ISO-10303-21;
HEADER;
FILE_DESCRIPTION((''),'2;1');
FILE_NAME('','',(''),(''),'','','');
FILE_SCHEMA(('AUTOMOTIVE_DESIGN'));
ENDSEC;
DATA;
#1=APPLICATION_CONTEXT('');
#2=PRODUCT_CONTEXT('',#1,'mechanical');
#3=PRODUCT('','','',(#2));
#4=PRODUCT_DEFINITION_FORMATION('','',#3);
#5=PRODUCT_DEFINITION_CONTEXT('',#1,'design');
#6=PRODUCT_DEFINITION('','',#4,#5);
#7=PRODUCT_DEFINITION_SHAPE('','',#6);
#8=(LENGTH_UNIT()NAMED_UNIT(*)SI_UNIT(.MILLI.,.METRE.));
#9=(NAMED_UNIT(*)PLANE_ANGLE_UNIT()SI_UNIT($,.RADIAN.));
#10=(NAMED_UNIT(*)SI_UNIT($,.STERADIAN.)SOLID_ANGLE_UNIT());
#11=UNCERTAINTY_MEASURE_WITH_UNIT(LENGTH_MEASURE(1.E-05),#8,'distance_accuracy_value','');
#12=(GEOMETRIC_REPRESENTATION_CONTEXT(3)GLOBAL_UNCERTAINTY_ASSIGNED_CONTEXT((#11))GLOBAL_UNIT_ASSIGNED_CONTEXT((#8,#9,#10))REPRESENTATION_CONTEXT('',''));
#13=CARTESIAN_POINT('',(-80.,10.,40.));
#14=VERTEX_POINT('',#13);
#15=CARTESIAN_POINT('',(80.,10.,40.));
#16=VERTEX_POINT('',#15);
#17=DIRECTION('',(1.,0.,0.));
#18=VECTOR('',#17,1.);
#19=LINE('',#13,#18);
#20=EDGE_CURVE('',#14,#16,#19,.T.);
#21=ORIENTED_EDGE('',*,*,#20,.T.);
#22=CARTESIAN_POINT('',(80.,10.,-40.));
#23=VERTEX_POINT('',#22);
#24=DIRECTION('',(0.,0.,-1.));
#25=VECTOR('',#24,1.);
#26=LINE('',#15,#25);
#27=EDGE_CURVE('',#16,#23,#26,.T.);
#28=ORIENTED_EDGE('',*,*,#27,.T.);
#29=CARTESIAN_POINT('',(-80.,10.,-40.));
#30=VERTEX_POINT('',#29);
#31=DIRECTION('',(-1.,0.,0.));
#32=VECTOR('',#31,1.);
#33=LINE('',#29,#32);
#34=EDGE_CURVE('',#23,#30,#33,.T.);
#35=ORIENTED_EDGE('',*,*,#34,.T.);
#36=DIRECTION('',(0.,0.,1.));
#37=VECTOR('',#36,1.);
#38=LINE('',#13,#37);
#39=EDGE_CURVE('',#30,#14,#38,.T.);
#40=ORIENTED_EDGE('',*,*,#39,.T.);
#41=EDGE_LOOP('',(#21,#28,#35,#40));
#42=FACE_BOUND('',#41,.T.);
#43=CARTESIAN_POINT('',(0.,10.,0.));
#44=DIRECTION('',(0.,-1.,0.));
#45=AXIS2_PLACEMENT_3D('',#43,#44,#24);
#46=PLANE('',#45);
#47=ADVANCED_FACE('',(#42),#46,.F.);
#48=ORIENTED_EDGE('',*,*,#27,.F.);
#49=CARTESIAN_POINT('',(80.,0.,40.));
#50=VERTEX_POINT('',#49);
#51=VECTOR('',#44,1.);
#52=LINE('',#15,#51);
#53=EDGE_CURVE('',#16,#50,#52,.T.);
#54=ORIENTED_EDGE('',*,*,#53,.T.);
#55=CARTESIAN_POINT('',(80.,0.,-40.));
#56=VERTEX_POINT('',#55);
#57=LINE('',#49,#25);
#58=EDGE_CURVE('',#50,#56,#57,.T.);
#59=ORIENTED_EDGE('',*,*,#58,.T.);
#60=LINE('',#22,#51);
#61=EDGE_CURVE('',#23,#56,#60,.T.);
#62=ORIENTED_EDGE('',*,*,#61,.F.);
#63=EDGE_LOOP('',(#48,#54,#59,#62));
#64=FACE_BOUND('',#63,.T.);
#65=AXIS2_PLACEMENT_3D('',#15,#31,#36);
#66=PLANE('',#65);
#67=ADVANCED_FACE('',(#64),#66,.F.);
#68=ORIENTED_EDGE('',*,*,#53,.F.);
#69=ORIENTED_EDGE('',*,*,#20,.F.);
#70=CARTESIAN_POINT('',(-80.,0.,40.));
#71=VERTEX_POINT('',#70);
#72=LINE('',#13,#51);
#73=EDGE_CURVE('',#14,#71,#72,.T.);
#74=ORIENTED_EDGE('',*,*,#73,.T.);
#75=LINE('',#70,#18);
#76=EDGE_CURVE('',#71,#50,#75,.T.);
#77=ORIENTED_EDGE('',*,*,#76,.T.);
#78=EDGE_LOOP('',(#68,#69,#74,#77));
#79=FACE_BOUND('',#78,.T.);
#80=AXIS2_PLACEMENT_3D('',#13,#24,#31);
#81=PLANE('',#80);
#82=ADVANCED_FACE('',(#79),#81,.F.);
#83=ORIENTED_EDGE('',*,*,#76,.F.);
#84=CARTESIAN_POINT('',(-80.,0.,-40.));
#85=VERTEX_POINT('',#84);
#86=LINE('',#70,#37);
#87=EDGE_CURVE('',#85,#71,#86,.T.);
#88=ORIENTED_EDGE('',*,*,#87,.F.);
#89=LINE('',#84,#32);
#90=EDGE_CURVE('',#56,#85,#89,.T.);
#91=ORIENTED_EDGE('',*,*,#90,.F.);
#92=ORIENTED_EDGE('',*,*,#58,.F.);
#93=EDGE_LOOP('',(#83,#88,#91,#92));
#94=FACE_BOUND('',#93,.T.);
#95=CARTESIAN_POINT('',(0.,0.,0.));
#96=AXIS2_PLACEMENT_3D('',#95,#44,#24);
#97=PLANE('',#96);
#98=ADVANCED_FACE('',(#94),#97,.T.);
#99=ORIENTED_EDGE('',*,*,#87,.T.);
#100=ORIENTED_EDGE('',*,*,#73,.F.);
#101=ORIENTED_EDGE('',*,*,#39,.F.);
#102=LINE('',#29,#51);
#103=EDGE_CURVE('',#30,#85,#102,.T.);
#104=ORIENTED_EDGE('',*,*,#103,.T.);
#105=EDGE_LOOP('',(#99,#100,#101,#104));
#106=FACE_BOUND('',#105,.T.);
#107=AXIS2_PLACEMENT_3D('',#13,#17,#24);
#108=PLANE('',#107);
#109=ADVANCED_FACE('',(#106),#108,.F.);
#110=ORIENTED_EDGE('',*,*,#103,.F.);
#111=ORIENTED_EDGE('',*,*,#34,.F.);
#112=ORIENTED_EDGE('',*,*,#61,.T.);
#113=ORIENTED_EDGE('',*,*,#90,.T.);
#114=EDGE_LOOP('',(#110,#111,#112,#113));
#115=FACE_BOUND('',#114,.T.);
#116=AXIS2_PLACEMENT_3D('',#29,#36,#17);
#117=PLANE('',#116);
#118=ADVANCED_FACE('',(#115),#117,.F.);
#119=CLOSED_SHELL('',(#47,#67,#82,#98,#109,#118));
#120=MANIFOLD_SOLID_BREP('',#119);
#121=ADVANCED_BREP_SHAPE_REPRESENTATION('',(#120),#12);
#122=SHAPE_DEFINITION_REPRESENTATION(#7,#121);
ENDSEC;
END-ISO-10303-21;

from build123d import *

# Parameters (mm, degrees)
CROQUIS1_W              = 160
CROQUIS1_H              = 80
SALIENTE_EXTRUIR1_DEPTH = 10


with BuildPart() as part:
    # Croquis1 → Saliente-Extruir1 (new body)
    with BuildSketch(Plane(origin=(0, 0, 0), x_dir=(1, 0, 0), z_dir=(0, 1, 0))):
        Rectangle(CROQUIS1_W, CROQUIS1_H)
    extrude(amount=SALIENTE_EXTRUIR1_DEPTH)


solid = part.part
